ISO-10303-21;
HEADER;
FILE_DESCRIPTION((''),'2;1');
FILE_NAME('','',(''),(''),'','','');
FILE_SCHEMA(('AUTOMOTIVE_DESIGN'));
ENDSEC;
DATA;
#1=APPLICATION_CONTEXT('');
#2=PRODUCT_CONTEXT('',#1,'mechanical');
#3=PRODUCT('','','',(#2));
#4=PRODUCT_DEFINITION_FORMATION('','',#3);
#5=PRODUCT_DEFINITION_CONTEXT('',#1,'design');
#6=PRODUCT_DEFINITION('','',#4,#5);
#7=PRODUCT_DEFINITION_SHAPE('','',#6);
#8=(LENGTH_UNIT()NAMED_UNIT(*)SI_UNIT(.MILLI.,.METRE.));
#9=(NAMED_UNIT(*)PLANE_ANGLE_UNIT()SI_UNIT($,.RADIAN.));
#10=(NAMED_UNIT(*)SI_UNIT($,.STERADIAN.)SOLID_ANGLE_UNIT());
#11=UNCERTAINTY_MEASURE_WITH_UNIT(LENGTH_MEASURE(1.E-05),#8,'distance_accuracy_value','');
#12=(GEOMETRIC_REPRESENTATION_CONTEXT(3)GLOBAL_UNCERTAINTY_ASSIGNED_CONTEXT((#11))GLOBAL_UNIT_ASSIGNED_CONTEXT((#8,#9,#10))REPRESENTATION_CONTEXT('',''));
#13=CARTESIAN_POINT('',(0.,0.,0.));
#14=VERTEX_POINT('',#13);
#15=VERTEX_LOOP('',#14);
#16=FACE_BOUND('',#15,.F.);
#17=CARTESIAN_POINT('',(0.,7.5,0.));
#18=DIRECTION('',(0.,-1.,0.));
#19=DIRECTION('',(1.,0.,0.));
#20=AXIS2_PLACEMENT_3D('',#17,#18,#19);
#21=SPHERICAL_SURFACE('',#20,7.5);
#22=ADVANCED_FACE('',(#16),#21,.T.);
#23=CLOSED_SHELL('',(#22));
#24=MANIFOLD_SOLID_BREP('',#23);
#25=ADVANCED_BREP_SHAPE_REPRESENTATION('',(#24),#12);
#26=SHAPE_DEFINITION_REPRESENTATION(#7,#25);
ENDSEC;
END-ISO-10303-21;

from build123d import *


with BuildPart() as part:
    # Sketch3 → Revolve1 (revolve)
    with BuildSketch(Plane.XY):
        with BuildLine():
            Line((0, 0), (0, 15))
            ThreePointArc((0, 15), (7.5, 7.5), (0, 0))
        make_face()
    revolve(axis=Axis((0, 0, 0), (0, 1, 0)))


solid = part.part
